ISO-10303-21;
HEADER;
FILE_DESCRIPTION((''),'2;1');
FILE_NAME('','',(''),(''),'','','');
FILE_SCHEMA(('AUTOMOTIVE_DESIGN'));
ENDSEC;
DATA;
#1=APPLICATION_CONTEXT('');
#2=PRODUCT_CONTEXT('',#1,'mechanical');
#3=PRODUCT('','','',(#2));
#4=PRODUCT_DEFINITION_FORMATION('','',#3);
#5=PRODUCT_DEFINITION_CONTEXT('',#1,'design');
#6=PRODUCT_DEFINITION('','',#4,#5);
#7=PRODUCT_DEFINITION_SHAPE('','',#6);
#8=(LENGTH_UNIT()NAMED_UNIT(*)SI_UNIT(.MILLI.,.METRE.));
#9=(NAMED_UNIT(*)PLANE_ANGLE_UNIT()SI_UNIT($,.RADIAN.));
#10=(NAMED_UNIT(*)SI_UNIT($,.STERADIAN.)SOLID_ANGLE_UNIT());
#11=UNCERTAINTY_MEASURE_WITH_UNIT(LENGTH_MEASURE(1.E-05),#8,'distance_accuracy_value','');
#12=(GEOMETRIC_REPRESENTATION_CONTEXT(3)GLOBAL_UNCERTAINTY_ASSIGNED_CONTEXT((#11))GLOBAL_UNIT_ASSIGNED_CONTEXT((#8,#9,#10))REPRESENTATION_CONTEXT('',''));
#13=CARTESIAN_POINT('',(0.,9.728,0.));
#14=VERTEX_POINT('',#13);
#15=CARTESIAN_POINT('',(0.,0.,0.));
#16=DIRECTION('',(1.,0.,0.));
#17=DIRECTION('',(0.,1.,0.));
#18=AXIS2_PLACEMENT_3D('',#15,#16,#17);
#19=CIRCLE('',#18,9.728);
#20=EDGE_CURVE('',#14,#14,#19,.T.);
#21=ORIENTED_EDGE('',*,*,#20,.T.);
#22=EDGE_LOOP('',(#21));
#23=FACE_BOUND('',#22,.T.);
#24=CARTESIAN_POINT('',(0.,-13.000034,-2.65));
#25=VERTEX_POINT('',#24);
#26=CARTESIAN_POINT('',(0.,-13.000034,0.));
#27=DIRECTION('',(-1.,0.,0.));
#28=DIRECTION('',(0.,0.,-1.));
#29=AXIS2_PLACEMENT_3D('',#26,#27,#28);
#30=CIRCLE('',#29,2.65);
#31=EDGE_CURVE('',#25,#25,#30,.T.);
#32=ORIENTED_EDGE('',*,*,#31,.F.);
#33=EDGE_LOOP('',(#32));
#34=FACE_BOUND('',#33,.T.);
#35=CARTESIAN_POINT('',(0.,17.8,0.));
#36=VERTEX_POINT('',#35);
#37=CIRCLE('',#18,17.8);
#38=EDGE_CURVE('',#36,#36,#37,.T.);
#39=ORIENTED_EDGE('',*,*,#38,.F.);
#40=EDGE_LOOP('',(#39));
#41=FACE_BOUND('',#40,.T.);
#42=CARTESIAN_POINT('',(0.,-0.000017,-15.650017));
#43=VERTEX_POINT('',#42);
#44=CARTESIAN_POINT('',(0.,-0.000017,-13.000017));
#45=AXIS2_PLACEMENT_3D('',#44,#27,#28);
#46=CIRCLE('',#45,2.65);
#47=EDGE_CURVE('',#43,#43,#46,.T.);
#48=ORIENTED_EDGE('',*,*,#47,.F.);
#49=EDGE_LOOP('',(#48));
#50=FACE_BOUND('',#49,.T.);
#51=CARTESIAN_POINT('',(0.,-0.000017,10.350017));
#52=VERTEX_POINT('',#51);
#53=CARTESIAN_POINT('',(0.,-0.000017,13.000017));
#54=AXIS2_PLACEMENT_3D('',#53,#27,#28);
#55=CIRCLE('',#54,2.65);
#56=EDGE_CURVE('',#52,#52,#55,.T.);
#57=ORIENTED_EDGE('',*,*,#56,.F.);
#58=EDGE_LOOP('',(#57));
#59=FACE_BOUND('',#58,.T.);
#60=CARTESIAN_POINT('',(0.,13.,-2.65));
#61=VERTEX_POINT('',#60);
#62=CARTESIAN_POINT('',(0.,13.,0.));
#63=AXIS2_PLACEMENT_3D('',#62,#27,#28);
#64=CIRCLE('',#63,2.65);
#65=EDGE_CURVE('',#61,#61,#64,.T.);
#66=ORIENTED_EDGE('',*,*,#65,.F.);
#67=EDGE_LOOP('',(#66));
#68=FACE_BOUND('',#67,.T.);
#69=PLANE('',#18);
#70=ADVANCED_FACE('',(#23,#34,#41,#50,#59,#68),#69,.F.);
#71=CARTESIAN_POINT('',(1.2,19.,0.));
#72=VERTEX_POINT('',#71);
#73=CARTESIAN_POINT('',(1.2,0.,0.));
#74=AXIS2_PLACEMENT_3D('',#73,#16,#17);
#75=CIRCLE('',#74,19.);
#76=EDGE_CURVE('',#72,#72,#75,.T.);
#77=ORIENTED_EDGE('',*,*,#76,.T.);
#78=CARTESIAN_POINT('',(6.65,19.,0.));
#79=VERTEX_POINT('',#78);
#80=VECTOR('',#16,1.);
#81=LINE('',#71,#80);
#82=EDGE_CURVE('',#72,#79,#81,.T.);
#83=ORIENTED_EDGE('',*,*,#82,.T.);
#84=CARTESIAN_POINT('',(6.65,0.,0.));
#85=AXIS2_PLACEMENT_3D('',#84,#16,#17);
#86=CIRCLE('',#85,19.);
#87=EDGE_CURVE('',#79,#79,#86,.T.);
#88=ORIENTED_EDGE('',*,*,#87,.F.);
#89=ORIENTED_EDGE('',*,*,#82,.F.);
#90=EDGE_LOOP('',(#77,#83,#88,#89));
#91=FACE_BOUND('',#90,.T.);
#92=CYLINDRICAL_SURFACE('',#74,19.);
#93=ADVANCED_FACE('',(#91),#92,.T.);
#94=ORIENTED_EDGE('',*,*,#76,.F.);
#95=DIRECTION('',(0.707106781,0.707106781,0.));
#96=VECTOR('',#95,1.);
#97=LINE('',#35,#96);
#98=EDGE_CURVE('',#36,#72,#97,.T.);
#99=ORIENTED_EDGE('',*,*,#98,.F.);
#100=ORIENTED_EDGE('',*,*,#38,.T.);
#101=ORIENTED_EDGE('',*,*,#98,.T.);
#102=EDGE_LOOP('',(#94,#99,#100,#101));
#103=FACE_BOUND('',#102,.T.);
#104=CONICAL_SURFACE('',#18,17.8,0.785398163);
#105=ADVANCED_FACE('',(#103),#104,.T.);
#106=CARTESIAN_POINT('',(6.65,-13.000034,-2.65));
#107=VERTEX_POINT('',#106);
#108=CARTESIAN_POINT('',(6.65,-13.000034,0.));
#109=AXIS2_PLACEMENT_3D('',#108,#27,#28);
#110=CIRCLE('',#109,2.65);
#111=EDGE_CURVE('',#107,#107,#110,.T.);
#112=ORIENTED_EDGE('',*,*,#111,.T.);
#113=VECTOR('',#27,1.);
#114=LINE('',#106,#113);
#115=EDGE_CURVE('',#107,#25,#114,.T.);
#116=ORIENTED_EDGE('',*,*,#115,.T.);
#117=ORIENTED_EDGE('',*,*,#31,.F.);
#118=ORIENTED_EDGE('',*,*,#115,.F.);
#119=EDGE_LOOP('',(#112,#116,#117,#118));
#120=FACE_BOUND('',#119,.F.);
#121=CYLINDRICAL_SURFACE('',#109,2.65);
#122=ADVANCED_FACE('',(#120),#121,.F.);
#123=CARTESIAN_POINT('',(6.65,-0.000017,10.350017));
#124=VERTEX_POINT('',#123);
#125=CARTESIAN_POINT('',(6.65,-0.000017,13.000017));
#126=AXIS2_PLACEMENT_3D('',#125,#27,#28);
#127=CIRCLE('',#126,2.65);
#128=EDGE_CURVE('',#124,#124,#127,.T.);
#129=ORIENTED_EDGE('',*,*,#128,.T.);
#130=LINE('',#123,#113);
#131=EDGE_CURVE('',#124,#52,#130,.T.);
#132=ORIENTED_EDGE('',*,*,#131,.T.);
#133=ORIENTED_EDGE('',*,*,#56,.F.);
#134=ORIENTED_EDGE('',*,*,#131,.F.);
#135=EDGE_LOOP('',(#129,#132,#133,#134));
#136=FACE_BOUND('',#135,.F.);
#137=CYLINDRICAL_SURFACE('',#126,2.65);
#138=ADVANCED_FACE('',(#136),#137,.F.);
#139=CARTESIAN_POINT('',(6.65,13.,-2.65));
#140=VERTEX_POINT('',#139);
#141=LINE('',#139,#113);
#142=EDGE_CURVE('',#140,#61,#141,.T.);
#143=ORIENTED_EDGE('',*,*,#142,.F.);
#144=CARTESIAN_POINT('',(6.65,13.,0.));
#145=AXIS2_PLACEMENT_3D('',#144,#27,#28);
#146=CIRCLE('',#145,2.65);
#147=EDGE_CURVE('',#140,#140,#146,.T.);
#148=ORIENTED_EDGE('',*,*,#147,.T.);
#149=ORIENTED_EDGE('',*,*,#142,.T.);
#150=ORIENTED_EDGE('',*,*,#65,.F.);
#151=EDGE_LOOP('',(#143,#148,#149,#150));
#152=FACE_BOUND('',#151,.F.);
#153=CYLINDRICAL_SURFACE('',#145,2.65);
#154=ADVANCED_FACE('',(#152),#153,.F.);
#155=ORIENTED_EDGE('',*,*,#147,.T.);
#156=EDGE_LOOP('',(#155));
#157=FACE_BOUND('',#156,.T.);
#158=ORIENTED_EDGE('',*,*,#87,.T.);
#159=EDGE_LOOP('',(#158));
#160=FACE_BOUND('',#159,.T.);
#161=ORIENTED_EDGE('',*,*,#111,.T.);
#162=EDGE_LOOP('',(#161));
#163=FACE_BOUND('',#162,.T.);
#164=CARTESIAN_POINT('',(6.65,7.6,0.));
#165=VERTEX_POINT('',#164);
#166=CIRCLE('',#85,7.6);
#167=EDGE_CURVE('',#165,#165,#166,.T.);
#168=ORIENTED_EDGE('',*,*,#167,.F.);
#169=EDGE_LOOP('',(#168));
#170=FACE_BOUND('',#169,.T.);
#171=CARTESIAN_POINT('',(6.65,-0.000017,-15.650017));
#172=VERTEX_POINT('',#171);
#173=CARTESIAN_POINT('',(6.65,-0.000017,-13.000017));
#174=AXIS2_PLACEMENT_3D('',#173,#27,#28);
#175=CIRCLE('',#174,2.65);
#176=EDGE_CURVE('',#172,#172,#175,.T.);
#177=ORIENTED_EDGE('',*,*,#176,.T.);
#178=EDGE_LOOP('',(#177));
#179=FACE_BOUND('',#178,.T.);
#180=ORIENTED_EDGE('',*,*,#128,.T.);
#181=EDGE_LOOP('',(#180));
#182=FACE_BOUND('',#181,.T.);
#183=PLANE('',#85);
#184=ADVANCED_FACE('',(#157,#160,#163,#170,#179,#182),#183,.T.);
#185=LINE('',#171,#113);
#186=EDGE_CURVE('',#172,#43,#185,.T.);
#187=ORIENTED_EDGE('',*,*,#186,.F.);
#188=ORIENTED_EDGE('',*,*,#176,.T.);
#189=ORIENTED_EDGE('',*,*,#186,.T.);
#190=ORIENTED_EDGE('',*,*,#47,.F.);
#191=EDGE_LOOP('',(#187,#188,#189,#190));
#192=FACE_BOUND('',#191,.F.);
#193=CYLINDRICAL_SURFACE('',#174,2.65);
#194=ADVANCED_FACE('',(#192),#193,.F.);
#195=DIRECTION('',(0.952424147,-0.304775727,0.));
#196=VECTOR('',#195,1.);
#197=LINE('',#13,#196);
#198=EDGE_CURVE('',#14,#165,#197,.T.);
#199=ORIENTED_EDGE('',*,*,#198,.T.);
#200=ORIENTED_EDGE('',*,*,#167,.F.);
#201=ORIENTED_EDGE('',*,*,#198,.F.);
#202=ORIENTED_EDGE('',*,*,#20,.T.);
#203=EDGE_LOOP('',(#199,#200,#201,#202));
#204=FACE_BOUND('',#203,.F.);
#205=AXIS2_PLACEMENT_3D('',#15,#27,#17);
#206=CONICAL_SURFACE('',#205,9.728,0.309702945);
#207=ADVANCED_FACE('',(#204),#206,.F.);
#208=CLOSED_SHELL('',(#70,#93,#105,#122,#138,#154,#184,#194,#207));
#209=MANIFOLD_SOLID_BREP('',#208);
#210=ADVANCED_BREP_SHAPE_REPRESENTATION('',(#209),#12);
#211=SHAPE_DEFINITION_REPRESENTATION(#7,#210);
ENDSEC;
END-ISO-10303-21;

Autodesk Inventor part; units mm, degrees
sketch "Sketch_7" plane through (0, 0, 0) normal (0, 0, 1) x (1, 0, 0)
  line L0 (6.65, 0) -> (0, 0)
  line L1 (0, 0) -> (0, 17.8)
  line L2 (0, 17.8) -> (1.2, 19)
  line L3 (1.2, 19) -> (6.65, 19)
  line L4 (6.65, 19) -> (6.65, 0)
  line L5 (6.65, 0) -> (0, 0)
revolve "Revolution1" add sketch "Sketch_7" angle 360 about axis through (6.65, 0, 0) along (1, 0, 0)
sketch "Sketch_8" plane through (0, 0, 0) normal (0, 0, 1) x (1, 0, 0)
  line L0 (6.65, 0) -> (0, 0)
  line L1 (0, 0) -> (0, 9.728)
  line L2 (0, 9.728) -> (6.65, 7.6)
  line L3 (6.65, 7.6) -> (6.65, 0)
  line L4 (6.65, 0) -> (0, 0)
revolve "Revolution2" cut sketch "Sketch_8" angle 360 about axis through (6.65, 0, 0) along (1, 0, 0)
sketch "Sketch3" plane through (6.65, 0, 0) normal (1, 0, 0) x (0, 0, -1)
  point P0 (0, 13)
hole "Hole1" at (6.65, 13, 0) direction (-1, 0, 0) diameter 5.3 depth 6.65
pattern_linear "Rectangular Pattern1" count 2 spacing 18.3848 along (0, -0.7071, 0.7071) count 2 spacing 18.3848 along (0, -0.7071, -0.7071) of "Hole1"
ref_plane "at2_gew_st_XY" through (6.65, 0, 0) normal (1, 0, 0) x (0, 0, -1)
ref_plane "at2_gew_st_YZ" through (6.65, 0, 0) normal (0, 0, -1) x (0, 1, 0)
ref_plane "at2_gew_st_ZX" through (6.65, 0, 0) normal (0, 1, 0) x (1, 0, 0)
ref_plane "schr_1_XY" through (6.65, 13, 0) normal (1, 0, 0) x (0, 0, -1)
ref_plane "schr_1_YZ" through (6.65, 13, 0) normal (0, 0, -1) x (0, 1, 0)
ref_plane "schr_1_ZX" through (6.65, 13, 0) normal (0, 1, 0) x (1, 0, 0)
ref_plane "schr_2_XY" through (6.65, 0, -13) normal (1, 0, 0) x (0, 0, -1)
ref_plane "schr_2_YZ" through (6.65, 0, -13) normal (0, 0, -1) x (0, 1, 0)
ref_plane "schr_2_ZX" through (6.65, 0, -13) normal (0, 1, 0) x (1, 0, 0)
ref_plane "schr_3_XY" through (6.65, -13, 0) normal (1, 0, 0) x (0, 0, -1)
ref_plane "schr_3_YZ" through (6.65, -13, 0) normal (0, 0, -1) x (0, 1, 0)
ref_plane "schr_3_ZX" through (6.65, -13, 0) normal (0, 1, 0) x (1, 0, 0)
ref_plane "schr_4_XY" through (6.65, 0, 13) normal (1, 0, 0) x (0, 0, -1)
ref_plane "schr_4_YZ" through (6.65, 0, 13) normal (0, 0, -1) x (0, 1, 0)
ref_plane "schr_4_ZX" through (6.65, 0, 13) normal (0, 1, 0) x (1, 0, 0)
properties part number "61581400_4"
